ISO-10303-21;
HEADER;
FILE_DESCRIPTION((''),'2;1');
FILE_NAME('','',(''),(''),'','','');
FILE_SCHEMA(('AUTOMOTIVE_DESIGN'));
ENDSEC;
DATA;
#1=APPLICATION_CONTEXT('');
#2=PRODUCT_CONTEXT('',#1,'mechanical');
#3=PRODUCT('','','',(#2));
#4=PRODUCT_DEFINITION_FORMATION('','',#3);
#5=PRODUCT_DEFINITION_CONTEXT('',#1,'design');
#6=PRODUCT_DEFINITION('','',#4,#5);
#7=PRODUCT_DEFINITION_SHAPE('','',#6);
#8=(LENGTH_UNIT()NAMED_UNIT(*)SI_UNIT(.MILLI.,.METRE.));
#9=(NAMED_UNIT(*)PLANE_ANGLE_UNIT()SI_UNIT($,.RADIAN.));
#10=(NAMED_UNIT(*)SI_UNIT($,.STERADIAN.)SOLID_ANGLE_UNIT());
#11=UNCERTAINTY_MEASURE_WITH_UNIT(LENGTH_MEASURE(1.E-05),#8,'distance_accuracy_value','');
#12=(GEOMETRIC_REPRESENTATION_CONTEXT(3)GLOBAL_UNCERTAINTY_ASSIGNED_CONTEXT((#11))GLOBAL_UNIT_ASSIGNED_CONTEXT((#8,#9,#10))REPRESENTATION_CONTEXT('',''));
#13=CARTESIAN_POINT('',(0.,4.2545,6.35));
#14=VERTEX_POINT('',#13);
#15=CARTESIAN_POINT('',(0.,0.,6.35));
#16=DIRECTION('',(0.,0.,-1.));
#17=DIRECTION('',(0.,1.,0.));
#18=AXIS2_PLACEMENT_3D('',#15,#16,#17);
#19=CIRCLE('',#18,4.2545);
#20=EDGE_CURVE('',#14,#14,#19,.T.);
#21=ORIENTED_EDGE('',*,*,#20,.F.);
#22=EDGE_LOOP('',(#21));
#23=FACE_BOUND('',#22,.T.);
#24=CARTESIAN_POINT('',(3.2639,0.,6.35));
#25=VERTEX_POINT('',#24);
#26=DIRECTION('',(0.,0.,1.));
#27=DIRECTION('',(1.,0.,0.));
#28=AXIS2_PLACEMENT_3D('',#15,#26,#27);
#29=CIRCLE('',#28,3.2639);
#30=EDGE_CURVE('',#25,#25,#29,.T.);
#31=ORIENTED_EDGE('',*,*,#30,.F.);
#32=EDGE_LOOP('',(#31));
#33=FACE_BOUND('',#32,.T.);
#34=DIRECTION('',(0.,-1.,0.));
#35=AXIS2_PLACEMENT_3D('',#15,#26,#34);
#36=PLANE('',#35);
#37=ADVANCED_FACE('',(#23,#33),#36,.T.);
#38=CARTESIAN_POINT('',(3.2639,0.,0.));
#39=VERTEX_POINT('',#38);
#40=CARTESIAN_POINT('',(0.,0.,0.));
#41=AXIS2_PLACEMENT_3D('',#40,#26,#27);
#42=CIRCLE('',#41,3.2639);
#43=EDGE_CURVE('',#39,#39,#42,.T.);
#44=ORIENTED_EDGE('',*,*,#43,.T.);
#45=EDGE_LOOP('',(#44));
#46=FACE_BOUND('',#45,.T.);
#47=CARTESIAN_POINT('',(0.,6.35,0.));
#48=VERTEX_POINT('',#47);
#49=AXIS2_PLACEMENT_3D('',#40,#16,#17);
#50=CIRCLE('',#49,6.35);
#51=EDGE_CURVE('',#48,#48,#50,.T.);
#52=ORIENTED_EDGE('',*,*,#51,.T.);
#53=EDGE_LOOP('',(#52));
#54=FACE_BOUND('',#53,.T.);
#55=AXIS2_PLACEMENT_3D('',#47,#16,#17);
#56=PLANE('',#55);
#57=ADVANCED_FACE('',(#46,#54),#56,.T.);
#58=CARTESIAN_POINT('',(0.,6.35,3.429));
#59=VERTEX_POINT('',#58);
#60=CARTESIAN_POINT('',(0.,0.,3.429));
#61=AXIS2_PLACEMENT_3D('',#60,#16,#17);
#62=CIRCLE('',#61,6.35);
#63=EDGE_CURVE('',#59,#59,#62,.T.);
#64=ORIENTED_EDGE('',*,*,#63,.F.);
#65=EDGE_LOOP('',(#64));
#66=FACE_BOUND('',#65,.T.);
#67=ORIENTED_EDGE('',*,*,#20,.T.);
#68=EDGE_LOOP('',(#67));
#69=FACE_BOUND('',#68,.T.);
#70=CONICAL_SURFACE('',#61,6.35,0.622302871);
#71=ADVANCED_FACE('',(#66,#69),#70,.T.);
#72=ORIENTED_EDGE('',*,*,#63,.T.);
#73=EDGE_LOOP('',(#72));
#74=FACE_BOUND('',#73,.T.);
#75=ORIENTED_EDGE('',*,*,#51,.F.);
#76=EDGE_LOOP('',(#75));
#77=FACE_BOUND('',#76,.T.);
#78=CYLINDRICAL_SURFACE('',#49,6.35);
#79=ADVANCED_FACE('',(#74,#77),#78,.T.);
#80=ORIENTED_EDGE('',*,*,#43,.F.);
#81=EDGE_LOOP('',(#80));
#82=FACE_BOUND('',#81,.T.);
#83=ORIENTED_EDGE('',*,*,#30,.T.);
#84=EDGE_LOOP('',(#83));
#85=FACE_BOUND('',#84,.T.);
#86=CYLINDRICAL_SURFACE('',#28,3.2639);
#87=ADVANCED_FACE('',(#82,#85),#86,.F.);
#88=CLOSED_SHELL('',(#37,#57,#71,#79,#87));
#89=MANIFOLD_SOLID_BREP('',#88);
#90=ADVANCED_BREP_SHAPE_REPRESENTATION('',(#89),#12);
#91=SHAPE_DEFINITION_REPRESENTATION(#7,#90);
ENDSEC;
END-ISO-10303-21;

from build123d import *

# Parameters (mm, degrees)
F_1_4_CLEARANCE_HOLE1_D = 6.5278


with BuildPart() as part:
    # Sketch1 → Revolve1 (revolve)
    with BuildSketch(Plane(origin=(0, 0, 0), x_dir=(0, 0, -1), z_dir=(1, 0, 0))):
        Polygon((-6.35, 0), (-6.35, 4.2545), (-3.429, 6.35), (0, 6.35), (0, 0), align=None)
    revolve(axis=Axis((0, 0, 0), (0, 0, 1)))

    # 1/4 Clearance Hole1 (through all)
    with Locations(Plane.XY.offset(6.35)):
        with Locations((0, 0)):
            Hole(F_1_4_CLEARANCE_HOLE1_D / 2)


solid = part.part
